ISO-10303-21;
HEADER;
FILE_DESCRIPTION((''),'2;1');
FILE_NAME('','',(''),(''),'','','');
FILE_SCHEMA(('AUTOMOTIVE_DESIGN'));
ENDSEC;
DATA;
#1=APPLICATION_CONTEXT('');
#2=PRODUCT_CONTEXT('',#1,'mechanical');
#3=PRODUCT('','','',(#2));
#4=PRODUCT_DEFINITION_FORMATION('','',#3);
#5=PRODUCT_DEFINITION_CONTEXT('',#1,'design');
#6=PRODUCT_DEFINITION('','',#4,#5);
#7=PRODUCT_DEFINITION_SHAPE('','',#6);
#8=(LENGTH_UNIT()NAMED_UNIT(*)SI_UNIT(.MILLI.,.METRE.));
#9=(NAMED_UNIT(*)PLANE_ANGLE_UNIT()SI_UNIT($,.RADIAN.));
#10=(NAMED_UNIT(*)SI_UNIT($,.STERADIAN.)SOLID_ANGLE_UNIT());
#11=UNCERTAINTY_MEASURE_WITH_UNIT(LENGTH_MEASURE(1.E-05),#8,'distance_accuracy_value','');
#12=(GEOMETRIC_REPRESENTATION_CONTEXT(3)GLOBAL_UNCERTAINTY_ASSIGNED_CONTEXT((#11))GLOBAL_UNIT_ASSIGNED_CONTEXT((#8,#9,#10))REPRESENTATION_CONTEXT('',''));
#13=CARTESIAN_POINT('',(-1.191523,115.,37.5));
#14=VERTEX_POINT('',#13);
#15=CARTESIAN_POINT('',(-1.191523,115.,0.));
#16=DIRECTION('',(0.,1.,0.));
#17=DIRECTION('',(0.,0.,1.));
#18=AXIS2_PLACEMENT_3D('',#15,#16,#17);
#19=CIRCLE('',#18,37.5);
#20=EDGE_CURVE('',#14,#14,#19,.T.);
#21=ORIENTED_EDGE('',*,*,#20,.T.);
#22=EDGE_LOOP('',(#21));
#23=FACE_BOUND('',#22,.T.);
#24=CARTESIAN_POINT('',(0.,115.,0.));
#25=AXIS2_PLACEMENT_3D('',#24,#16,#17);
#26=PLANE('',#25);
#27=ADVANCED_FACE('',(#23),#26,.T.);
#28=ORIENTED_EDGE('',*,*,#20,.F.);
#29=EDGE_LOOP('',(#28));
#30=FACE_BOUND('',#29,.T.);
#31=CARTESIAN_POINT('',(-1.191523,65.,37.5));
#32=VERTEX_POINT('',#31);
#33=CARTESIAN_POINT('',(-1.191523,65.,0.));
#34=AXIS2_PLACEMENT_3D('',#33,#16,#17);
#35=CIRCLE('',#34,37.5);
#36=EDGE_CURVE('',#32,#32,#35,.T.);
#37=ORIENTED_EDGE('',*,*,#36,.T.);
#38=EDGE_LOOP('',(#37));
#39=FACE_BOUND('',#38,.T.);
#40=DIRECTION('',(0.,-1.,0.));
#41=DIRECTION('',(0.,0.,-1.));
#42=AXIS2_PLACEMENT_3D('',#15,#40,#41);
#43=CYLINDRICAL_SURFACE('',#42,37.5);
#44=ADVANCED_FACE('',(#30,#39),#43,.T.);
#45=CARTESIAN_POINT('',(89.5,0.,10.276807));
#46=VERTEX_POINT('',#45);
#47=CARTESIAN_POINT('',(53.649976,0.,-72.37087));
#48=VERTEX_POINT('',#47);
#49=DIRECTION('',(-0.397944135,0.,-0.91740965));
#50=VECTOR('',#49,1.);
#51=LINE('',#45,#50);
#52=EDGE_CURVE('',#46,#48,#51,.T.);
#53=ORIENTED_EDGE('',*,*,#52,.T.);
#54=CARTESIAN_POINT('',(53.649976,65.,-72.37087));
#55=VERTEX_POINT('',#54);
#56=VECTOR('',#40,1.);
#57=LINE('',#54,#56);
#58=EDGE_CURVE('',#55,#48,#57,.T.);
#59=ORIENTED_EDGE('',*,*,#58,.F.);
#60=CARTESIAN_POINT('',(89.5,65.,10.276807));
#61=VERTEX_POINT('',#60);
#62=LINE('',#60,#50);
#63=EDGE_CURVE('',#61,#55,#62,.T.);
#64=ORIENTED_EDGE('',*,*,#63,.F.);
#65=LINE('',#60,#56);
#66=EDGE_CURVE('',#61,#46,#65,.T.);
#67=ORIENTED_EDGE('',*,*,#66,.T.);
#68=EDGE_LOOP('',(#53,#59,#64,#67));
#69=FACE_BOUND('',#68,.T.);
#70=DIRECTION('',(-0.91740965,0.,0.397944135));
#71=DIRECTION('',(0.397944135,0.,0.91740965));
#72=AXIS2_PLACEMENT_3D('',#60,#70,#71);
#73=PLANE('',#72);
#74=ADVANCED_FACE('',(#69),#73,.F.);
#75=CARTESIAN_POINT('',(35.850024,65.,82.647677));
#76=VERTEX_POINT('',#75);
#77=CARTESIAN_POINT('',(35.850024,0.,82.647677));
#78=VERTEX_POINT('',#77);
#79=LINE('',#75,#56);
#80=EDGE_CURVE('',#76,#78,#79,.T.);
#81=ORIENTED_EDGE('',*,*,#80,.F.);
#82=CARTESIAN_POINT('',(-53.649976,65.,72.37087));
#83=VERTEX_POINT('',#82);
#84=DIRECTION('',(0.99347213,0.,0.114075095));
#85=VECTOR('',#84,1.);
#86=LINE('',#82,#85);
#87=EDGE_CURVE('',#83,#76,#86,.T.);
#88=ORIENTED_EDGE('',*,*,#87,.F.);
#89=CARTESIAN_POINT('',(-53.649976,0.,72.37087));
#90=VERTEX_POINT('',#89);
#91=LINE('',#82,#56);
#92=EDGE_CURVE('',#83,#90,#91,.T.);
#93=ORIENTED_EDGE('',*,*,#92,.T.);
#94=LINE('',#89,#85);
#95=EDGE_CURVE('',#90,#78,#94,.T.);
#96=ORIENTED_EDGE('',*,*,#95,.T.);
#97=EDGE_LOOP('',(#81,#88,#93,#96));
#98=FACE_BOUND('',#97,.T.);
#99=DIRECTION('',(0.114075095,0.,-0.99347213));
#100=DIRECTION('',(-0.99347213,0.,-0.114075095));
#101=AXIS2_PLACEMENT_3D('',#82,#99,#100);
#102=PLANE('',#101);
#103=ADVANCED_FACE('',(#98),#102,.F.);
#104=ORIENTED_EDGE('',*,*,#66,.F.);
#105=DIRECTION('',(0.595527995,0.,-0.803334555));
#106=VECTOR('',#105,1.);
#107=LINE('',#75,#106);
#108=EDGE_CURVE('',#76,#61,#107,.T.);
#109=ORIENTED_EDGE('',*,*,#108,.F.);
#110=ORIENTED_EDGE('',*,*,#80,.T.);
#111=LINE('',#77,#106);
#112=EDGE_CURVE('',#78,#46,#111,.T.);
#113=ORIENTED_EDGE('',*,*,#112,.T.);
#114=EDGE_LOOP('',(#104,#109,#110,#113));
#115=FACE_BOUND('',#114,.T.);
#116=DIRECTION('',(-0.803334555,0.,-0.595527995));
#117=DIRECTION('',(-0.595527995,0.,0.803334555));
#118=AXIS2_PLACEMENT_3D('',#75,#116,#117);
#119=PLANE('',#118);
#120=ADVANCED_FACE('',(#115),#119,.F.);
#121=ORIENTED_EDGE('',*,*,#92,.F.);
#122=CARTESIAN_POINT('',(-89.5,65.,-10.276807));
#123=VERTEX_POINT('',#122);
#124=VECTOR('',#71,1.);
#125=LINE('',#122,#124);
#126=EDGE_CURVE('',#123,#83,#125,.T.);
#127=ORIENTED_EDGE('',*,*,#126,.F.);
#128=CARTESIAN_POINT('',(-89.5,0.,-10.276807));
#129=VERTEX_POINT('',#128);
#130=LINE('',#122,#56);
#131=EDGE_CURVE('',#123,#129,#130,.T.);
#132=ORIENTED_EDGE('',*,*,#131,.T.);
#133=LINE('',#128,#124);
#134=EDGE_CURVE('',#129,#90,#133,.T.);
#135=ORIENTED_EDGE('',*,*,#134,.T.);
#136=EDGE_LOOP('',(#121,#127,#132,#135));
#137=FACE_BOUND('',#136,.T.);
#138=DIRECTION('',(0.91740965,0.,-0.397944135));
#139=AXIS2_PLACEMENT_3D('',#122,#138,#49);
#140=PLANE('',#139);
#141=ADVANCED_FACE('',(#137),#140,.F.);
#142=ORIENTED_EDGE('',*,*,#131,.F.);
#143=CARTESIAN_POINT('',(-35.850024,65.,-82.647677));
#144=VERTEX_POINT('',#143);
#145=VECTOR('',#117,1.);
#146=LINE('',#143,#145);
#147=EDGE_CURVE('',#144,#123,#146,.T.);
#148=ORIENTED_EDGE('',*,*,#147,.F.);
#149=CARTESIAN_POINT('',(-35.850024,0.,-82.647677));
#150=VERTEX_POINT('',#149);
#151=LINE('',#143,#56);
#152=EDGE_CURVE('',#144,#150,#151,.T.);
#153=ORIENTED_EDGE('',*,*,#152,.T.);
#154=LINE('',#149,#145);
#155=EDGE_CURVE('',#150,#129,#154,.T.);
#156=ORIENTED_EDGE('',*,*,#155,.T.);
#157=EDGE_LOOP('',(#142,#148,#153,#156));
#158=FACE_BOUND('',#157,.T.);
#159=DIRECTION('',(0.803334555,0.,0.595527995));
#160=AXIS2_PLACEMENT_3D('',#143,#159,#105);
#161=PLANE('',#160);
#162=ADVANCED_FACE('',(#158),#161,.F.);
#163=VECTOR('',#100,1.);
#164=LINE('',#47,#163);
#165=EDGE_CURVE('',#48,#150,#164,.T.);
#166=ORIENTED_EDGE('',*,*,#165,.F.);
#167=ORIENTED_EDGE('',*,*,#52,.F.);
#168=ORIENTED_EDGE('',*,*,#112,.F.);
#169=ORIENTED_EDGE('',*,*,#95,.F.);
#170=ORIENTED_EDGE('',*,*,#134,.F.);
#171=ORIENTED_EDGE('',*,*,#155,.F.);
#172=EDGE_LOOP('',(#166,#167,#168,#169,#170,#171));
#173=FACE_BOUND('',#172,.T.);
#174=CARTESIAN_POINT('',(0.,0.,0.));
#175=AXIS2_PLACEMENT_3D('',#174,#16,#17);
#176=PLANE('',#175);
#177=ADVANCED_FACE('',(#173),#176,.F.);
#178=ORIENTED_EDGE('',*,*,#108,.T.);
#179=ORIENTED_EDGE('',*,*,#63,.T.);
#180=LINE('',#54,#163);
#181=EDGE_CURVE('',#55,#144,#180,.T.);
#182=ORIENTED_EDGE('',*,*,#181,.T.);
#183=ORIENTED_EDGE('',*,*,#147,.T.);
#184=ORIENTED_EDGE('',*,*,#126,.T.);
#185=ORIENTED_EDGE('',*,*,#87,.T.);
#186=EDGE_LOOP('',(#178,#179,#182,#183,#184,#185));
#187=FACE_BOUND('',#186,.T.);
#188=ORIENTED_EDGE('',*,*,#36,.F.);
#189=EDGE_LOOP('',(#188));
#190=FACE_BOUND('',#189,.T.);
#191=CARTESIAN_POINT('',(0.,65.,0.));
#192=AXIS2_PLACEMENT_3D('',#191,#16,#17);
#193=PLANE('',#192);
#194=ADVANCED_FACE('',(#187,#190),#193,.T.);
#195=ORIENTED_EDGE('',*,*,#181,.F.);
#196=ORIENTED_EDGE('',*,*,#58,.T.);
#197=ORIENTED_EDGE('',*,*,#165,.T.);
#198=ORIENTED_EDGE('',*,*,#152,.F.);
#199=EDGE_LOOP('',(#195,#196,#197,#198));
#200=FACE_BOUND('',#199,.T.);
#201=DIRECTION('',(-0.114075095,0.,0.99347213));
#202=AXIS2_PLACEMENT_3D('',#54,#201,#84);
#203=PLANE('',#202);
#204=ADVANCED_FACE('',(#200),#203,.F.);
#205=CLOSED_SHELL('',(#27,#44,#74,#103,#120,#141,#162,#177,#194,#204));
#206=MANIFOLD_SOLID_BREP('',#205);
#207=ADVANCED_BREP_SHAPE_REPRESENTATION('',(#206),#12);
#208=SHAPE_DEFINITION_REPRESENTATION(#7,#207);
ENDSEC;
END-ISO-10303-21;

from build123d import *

# Parameters (mm, degrees)
SKETCH2_R           = 37.5
BOSS_EXTRUDE1_DEPTH = 65
SKETCH2_2_R         = 37.5
BOSS_EXTRUDE2_DEPTH = 115


with BuildPart() as part:
    # Sketch2 → Boss-Extrude1 (new body)
    with BuildSketch(Plane(origin=(0, 0, 0), x_dir=(1, 0, 0), z_dir=(0, 1, 0))):
        Polygon((35.850024354, -82.647676974), (89.5, -10.27680667), (53.649975646, 72.370870304), (-35.850024354, 82.647676974), (-89.5, 10.27680667), (-53.649975646, -72.370870304), align=None)
        with Locations((-1.191522738, 0)):
            Circle(SKETCH2_R, mode=Mode.SUBTRACT)
    extrude(amount=BOSS_EXTRUDE1_DEPTH)

    # Sketch2<2> → Boss-Extrude2 (add)
    with BuildSketch(Plane(origin=(0, 0, 0), x_dir=(1, 0, 0), z_dir=(0, 1, 0))):
        with Locations((-1.191522738, 0)):
            Circle(SKETCH2_2_R)
    extrude(amount=BOSS_EXTRUDE2_DEPTH)


solid = part.part
